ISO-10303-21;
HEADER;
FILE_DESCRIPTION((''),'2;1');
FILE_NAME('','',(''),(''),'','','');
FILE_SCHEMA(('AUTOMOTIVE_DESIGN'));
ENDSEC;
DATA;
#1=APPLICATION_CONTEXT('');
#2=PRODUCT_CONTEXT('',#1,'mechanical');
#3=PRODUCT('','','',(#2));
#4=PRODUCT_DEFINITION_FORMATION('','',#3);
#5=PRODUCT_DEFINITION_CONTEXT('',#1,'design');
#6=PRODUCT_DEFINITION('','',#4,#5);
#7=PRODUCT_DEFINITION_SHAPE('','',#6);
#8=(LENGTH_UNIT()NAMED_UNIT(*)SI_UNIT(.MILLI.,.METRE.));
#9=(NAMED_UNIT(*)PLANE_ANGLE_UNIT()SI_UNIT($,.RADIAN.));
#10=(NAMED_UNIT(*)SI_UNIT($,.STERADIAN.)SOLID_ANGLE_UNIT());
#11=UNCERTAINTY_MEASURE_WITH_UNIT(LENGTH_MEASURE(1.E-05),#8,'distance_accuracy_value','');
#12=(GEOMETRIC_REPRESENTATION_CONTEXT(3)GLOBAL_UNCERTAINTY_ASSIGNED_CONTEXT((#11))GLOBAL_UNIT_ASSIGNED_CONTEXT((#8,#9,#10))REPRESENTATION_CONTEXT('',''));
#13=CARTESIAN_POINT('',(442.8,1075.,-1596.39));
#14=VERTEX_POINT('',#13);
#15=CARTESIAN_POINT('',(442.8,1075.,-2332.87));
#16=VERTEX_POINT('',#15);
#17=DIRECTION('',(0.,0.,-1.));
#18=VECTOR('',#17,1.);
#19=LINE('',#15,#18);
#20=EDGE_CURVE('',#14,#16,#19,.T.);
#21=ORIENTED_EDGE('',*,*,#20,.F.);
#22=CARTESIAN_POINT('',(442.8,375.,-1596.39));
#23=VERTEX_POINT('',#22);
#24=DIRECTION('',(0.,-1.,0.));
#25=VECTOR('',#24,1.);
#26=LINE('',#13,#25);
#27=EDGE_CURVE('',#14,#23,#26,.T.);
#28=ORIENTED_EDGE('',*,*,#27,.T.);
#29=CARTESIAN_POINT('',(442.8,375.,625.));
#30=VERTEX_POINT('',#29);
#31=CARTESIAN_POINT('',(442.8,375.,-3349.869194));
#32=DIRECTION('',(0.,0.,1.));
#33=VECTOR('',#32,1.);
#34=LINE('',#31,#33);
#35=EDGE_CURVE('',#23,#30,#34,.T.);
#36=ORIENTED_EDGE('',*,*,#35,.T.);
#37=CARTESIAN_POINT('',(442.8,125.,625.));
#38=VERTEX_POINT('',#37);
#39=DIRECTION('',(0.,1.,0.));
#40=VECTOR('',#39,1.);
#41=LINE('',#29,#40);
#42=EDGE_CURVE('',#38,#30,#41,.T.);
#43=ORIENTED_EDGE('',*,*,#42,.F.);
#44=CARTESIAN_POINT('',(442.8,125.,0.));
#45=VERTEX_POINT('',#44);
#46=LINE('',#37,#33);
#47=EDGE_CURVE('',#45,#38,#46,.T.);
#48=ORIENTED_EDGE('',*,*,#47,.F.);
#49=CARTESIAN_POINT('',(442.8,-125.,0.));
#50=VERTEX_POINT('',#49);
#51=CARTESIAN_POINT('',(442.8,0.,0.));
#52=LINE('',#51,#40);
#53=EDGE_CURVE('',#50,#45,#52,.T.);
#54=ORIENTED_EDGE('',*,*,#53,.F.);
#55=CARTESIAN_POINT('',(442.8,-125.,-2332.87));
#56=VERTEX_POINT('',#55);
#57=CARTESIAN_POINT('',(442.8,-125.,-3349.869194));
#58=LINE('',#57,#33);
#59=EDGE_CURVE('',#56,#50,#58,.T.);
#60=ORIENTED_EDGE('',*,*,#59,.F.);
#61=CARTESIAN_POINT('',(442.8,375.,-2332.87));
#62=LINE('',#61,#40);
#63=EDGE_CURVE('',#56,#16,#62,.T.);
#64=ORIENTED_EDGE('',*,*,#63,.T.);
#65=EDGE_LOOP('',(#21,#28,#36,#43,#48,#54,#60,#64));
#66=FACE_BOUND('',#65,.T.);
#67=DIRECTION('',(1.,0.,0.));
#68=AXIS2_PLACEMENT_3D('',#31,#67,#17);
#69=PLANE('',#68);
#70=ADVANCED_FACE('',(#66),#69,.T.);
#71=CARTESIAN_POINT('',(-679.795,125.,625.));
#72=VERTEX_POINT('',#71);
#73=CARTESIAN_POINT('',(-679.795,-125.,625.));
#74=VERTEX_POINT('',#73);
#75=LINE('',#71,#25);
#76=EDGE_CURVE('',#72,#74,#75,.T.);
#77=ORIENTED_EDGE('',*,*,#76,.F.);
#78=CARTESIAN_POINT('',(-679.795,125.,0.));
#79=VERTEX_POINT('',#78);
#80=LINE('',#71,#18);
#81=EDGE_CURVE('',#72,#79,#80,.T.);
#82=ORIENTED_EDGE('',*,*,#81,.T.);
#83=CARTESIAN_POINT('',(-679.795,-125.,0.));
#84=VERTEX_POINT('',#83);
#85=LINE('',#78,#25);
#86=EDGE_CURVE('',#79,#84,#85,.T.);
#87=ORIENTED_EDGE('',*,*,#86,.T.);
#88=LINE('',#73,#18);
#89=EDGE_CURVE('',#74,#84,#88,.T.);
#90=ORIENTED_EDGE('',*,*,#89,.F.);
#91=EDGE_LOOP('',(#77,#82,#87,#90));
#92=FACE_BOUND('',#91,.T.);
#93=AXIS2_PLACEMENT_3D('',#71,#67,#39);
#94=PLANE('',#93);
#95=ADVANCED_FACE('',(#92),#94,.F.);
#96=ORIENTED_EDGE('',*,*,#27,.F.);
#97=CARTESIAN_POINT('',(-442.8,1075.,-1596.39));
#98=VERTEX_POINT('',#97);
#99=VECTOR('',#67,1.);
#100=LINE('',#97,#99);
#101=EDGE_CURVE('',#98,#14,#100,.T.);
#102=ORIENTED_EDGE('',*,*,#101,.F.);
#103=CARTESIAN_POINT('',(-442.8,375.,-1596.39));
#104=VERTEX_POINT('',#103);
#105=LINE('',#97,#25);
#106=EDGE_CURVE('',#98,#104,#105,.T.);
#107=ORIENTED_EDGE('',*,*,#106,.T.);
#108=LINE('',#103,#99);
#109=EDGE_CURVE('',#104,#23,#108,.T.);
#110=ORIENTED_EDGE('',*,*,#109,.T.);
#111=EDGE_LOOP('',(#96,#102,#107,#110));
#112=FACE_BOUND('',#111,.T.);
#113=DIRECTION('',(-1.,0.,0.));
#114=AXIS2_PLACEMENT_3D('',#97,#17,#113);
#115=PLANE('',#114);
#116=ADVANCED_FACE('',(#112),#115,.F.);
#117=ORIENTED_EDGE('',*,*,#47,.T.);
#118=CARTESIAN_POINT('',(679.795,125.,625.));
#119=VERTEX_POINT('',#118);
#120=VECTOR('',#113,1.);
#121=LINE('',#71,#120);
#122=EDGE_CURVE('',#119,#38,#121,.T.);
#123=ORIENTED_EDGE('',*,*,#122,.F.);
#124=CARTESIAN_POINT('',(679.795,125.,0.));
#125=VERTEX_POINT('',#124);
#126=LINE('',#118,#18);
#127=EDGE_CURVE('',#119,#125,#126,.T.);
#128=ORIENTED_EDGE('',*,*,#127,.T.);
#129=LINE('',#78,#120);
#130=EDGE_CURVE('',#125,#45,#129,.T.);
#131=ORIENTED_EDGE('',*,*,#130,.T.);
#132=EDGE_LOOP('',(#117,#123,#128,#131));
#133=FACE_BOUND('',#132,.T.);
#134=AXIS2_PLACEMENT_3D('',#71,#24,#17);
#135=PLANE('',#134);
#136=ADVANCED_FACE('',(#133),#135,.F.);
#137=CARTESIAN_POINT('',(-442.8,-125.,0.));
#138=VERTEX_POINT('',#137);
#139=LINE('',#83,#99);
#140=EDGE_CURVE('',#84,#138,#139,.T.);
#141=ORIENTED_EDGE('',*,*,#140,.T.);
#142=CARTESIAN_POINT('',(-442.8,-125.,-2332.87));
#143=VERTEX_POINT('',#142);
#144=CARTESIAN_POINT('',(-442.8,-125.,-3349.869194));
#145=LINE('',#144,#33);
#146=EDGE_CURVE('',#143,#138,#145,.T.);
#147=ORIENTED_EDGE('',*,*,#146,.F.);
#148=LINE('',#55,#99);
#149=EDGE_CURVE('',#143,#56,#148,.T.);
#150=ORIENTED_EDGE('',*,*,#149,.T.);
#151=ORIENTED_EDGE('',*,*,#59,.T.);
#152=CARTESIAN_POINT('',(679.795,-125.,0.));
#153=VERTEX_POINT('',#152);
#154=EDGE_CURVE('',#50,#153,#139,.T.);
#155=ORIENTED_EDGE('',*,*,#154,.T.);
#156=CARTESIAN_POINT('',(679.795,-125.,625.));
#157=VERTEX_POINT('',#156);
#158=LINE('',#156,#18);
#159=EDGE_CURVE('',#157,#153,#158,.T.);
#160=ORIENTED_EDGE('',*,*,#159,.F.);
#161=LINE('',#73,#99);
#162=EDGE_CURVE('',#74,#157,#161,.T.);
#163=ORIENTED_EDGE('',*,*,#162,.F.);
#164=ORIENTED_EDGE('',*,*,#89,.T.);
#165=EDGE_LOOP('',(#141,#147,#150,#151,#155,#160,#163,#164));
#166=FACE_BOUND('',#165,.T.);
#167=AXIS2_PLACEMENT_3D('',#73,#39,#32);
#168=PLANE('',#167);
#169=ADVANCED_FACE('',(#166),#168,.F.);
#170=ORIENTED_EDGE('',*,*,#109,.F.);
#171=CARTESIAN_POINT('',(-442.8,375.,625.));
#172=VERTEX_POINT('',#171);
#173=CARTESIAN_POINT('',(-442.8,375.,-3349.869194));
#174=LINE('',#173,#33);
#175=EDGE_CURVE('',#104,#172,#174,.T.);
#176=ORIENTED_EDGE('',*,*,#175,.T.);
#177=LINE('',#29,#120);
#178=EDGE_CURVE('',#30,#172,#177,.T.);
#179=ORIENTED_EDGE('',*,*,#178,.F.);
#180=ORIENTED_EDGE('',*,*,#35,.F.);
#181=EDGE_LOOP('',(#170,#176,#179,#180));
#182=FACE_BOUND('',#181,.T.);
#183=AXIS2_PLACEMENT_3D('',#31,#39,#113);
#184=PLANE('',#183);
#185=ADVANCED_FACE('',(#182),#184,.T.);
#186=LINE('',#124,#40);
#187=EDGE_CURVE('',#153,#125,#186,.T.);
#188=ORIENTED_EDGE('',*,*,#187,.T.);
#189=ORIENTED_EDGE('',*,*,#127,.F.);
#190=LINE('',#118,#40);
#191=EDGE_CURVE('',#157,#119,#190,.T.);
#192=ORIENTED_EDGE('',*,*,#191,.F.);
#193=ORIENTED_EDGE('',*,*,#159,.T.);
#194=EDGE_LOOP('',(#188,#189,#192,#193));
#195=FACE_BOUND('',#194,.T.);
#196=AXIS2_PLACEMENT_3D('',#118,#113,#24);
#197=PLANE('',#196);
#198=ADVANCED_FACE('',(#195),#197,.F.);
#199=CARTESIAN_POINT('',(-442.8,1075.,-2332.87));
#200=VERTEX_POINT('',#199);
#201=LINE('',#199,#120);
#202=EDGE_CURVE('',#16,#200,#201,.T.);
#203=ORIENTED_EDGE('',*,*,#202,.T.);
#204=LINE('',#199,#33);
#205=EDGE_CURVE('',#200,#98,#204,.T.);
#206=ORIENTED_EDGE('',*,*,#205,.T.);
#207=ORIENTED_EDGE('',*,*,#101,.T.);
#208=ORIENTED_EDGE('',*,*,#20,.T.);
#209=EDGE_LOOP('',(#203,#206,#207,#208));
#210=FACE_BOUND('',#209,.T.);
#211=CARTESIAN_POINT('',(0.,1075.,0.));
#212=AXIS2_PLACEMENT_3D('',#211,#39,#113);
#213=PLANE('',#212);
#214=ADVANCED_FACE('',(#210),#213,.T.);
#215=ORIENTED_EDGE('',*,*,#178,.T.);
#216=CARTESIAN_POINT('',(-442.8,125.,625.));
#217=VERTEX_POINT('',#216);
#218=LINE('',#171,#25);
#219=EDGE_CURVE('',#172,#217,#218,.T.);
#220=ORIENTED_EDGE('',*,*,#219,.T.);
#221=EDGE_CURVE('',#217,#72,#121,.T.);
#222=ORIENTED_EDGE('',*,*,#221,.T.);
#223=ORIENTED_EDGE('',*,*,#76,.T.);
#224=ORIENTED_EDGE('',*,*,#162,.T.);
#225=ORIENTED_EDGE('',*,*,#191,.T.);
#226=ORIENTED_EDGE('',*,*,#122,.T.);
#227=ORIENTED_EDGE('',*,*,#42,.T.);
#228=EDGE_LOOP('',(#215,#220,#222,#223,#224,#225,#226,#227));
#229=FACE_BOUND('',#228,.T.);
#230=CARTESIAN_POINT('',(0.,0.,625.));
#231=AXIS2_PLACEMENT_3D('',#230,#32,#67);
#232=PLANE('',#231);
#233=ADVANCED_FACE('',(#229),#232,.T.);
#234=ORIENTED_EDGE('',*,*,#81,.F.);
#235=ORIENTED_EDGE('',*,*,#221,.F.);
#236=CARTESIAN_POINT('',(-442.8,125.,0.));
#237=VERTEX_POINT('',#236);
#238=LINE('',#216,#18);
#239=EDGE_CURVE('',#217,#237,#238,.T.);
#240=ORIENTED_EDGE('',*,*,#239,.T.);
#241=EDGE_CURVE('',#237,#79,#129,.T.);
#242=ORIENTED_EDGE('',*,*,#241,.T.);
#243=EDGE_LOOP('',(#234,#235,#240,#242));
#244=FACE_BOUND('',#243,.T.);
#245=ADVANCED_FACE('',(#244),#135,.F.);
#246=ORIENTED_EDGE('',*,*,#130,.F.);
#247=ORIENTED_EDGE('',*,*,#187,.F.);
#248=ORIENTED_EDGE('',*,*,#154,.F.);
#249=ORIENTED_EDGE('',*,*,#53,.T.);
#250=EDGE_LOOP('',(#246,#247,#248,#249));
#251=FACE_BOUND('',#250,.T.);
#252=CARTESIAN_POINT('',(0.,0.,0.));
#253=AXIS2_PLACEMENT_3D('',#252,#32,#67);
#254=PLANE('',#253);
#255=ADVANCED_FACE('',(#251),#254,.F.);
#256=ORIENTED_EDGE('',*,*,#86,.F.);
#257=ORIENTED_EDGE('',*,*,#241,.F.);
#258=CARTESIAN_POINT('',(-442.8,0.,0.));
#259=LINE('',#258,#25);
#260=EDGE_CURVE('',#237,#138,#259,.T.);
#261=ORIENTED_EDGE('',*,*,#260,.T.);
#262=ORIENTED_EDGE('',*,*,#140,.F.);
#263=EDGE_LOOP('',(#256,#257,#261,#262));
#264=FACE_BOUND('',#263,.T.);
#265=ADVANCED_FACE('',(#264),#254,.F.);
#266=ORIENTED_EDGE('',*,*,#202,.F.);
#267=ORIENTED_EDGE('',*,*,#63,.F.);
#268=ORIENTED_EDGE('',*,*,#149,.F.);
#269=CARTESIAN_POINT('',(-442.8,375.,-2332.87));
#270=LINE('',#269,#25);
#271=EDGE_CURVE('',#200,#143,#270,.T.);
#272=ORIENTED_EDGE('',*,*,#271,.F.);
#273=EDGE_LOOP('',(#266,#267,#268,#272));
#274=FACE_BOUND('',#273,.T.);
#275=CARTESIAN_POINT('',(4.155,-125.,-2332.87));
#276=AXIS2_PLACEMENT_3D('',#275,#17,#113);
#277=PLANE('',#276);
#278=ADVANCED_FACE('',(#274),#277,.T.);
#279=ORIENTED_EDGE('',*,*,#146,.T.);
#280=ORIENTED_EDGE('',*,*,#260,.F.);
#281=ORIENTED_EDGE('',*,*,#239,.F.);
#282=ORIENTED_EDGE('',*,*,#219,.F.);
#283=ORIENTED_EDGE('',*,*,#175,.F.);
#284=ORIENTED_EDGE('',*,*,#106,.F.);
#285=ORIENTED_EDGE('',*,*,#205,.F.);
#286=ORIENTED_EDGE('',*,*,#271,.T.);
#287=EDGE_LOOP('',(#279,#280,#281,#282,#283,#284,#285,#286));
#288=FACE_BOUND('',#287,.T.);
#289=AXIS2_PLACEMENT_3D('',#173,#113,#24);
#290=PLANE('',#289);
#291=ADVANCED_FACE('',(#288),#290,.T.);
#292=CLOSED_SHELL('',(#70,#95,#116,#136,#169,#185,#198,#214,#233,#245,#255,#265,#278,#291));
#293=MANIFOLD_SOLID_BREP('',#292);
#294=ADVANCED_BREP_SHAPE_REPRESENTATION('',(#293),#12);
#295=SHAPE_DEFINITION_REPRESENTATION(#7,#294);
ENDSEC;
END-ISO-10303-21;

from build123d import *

# Parameters (mm, degrees)
SKETCH1_W           = 1359.59
SKETCH1_H           = 250
BOSS_EXTRUDE1_DEPTH = 625
SKETCH2_W           = 885.6
SKETCH2_H           = 500
BOSS_EXTRUDE2_DEPTH = 2957.87
SKETCH3_W           = 885.6
SKETCH3_H           = 736.48
BOSS_EXTRUDE4_DEPTH = 700


with BuildPart() as part:
    # Sketch1 → Boss-Extrude1 (new body)
    with BuildSketch(Plane.XY):
        Rectangle(SKETCH1_W, SKETCH1_H)
    extrude(amount=BOSS_EXTRUDE1_DEPTH)

    # Sketch2 → Boss-Extrude2 (add)
    with BuildSketch(Plane.XY.offset(625)):
        with Locations((0, 125)):
            Rectangle(SKETCH2_W, SKETCH2_H)
    extrude(amount=-BOSS_EXTRUDE2_DEPTH)

    # Sketch3 → Boss-Extrude4 (add)
    with BuildSketch(Plane(origin=(0, 375, 0), x_dir=(1, 0, 0), z_dir=(0, 1, 0))):
        with Locations((0, 1964.63)):
            Rectangle(SKETCH3_W, SKETCH3_H)
    extrude(amount=BOSS_EXTRUDE4_DEPTH)


solid = part.part
